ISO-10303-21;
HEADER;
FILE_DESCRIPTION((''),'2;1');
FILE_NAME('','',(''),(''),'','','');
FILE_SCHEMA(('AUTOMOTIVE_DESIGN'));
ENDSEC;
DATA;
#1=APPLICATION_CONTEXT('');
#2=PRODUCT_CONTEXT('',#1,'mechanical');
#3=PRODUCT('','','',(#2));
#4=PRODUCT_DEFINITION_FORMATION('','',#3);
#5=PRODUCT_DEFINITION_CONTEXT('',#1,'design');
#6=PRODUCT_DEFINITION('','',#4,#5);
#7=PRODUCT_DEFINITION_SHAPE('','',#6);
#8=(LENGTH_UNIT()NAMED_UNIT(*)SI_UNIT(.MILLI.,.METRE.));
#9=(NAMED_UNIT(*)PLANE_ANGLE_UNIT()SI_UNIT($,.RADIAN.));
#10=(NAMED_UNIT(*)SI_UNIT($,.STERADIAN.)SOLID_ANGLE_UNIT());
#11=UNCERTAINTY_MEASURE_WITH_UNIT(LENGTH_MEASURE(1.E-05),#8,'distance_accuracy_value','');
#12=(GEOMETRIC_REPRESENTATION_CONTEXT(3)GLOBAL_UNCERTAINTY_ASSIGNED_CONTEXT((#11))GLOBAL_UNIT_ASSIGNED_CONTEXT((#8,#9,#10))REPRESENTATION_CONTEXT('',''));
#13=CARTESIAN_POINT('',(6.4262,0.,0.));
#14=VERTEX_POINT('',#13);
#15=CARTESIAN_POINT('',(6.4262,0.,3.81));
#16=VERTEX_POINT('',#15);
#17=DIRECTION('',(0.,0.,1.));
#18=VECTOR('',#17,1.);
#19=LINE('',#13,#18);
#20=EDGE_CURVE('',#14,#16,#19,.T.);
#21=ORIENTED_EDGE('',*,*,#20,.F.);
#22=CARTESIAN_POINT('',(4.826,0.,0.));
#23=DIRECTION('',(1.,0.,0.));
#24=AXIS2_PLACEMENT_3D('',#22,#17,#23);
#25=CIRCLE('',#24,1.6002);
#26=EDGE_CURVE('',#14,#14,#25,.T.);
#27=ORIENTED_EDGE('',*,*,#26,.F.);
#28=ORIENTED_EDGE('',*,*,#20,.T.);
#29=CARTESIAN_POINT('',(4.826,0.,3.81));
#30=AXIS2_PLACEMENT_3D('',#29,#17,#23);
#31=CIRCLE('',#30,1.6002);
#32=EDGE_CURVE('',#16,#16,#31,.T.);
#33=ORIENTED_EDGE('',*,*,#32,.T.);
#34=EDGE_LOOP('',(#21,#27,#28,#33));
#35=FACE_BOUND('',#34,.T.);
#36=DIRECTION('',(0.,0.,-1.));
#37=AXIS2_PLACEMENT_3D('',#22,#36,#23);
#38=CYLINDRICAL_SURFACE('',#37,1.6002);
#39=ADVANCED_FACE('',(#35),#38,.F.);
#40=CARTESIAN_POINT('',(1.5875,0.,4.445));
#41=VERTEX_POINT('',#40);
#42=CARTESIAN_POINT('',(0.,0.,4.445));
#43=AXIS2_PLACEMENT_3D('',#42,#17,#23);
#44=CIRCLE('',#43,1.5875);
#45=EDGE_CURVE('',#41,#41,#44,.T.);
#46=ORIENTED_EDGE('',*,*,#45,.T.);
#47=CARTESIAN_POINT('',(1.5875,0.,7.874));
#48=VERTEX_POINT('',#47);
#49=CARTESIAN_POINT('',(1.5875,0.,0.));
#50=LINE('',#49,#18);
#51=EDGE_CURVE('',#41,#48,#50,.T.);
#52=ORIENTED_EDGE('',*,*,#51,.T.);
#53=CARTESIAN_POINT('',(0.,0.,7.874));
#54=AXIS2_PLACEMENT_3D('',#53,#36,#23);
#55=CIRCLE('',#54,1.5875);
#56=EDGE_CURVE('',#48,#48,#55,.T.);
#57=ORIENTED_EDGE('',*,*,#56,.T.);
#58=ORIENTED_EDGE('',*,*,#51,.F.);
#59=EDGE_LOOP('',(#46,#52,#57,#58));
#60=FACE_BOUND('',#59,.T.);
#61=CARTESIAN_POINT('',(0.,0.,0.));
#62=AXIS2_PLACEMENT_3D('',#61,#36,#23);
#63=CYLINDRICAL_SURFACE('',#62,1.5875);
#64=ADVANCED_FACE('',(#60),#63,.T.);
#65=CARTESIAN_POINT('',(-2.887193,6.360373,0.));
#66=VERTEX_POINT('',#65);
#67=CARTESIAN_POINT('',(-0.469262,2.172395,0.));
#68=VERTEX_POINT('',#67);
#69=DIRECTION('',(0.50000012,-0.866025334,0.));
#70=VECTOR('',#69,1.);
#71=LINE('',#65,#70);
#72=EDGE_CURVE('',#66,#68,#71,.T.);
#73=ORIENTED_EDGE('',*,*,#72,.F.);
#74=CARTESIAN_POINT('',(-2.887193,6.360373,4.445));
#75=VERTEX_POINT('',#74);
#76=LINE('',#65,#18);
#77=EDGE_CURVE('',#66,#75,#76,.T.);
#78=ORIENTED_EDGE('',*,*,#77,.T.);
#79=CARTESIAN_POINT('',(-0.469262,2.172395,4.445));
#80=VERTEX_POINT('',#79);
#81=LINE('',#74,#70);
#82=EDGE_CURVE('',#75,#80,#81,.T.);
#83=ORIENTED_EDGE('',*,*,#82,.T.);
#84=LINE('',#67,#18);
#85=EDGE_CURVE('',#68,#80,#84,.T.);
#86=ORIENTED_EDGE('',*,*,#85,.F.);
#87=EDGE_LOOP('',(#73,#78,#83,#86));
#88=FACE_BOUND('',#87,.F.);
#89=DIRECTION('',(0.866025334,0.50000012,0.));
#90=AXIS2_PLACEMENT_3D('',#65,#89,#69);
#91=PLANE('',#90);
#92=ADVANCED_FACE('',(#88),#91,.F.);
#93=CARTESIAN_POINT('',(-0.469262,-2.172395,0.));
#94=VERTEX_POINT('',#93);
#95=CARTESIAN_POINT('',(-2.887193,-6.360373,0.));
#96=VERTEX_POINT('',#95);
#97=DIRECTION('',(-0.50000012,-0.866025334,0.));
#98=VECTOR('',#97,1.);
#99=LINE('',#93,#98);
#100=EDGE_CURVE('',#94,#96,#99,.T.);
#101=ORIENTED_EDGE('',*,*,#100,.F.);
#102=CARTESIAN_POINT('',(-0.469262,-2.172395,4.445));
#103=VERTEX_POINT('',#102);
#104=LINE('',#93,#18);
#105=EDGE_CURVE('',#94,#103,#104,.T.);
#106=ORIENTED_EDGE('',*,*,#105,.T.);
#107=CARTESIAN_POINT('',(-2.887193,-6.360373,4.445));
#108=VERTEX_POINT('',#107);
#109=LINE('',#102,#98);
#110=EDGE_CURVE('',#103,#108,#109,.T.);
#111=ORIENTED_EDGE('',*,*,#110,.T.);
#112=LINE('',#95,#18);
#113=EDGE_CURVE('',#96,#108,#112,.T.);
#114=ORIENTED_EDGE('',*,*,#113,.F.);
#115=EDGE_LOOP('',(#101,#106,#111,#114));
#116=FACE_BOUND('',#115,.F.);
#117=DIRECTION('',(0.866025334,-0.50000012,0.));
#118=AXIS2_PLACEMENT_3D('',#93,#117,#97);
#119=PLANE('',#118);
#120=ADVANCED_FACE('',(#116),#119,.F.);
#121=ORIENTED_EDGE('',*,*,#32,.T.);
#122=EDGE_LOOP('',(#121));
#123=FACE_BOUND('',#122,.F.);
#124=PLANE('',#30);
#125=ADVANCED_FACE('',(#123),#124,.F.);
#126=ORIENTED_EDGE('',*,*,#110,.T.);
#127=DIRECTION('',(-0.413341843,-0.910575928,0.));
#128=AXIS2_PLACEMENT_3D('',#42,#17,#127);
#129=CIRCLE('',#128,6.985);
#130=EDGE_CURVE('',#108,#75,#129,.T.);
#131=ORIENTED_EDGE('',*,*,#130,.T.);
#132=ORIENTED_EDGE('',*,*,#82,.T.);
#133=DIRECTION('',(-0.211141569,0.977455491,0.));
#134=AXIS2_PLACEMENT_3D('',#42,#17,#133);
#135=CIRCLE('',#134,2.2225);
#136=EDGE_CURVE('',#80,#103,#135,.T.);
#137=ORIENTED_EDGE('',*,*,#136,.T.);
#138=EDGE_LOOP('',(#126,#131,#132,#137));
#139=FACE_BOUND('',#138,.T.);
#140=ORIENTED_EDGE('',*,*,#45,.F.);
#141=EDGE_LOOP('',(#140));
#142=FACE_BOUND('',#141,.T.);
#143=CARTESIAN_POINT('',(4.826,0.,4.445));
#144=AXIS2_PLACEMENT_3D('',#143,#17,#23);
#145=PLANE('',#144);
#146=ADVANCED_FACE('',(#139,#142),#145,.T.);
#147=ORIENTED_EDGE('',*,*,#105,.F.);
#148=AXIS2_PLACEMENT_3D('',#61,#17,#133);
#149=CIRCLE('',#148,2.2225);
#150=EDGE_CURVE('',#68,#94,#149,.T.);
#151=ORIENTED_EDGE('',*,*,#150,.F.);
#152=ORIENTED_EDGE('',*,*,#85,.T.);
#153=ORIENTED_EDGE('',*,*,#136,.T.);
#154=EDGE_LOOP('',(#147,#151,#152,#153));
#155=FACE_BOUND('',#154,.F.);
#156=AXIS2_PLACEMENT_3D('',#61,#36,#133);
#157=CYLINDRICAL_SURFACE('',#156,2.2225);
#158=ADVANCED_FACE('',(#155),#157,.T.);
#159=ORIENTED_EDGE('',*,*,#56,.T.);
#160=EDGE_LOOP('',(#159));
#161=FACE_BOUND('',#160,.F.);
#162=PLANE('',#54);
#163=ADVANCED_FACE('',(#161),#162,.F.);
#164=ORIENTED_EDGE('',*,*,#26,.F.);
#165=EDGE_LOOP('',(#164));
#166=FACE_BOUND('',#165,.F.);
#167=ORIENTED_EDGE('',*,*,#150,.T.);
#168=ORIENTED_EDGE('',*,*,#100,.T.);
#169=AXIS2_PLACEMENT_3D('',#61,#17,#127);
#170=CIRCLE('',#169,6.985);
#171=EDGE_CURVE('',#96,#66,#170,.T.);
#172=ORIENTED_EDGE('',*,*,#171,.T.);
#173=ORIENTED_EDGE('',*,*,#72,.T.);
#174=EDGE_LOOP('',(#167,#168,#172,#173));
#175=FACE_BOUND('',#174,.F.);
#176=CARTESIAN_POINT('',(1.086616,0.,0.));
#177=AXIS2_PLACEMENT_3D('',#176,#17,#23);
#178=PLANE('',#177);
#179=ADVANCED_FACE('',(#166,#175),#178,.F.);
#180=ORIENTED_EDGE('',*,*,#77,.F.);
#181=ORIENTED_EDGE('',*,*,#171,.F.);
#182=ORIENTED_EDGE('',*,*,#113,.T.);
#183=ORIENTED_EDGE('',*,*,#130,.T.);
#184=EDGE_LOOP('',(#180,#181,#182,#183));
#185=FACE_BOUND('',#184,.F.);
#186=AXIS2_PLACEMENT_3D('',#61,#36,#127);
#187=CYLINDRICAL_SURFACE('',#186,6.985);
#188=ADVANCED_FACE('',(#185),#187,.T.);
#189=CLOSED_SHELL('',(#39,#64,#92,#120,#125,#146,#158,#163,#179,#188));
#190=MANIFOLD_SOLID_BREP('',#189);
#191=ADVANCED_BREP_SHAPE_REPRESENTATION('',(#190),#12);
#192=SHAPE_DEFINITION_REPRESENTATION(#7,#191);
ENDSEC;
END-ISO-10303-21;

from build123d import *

# Parameters (mm, degrees)
F0_R     = 1.5875
F0_R_2   = 1.6002
F1_DEPTH = 4.445
F2_R     = 1.5875
F3_DEPTH = 7.874
F4_R     = 1.6002
F5_DEPTH = 0.635


with BuildPart() as f1:
    # F0 (on Top) → F1 (new body)
    with BuildSketch(Plane.XY):
        with BuildLine():
            Line((-0.469262, -2.172395), (-2.887193, -6.360373))
            ThreePointArc((-2.887193, -6.360373), (6.985, 0), (-2.887193, 6.360373))
            Line((-2.887193, 6.360373), (-0.469262, 2.172395))
            ThreePointArc((-0.469262, 2.172395), (-2.2225, 0), (-0.469262, -2.172395))
        make_face()
        Circle(F0_R, mode=Mode.SUBTRACT)
        with Locations((4.826, 0)):
            Circle(F0_R_2, mode=Mode.SUBTRACT)
    extrude(amount=F1_DEPTH)

    # F2 (on face) → F3 (join)
    with BuildSketch(Plane(origin=(0, 0, 0), x_dir=(1, 0, 0), z_dir=(0, 0, -1))):
        Circle(F2_R)
    extrude(amount=-F3_DEPTH)

    # F4 (on face) → F5 (join)
    with BuildSketch(Plane.XY.offset(4.445)):
        with Locations((4.826, 0)):
            Circle(F4_R)
    extrude(amount=-F5_DEPTH)


solid = f1.part
